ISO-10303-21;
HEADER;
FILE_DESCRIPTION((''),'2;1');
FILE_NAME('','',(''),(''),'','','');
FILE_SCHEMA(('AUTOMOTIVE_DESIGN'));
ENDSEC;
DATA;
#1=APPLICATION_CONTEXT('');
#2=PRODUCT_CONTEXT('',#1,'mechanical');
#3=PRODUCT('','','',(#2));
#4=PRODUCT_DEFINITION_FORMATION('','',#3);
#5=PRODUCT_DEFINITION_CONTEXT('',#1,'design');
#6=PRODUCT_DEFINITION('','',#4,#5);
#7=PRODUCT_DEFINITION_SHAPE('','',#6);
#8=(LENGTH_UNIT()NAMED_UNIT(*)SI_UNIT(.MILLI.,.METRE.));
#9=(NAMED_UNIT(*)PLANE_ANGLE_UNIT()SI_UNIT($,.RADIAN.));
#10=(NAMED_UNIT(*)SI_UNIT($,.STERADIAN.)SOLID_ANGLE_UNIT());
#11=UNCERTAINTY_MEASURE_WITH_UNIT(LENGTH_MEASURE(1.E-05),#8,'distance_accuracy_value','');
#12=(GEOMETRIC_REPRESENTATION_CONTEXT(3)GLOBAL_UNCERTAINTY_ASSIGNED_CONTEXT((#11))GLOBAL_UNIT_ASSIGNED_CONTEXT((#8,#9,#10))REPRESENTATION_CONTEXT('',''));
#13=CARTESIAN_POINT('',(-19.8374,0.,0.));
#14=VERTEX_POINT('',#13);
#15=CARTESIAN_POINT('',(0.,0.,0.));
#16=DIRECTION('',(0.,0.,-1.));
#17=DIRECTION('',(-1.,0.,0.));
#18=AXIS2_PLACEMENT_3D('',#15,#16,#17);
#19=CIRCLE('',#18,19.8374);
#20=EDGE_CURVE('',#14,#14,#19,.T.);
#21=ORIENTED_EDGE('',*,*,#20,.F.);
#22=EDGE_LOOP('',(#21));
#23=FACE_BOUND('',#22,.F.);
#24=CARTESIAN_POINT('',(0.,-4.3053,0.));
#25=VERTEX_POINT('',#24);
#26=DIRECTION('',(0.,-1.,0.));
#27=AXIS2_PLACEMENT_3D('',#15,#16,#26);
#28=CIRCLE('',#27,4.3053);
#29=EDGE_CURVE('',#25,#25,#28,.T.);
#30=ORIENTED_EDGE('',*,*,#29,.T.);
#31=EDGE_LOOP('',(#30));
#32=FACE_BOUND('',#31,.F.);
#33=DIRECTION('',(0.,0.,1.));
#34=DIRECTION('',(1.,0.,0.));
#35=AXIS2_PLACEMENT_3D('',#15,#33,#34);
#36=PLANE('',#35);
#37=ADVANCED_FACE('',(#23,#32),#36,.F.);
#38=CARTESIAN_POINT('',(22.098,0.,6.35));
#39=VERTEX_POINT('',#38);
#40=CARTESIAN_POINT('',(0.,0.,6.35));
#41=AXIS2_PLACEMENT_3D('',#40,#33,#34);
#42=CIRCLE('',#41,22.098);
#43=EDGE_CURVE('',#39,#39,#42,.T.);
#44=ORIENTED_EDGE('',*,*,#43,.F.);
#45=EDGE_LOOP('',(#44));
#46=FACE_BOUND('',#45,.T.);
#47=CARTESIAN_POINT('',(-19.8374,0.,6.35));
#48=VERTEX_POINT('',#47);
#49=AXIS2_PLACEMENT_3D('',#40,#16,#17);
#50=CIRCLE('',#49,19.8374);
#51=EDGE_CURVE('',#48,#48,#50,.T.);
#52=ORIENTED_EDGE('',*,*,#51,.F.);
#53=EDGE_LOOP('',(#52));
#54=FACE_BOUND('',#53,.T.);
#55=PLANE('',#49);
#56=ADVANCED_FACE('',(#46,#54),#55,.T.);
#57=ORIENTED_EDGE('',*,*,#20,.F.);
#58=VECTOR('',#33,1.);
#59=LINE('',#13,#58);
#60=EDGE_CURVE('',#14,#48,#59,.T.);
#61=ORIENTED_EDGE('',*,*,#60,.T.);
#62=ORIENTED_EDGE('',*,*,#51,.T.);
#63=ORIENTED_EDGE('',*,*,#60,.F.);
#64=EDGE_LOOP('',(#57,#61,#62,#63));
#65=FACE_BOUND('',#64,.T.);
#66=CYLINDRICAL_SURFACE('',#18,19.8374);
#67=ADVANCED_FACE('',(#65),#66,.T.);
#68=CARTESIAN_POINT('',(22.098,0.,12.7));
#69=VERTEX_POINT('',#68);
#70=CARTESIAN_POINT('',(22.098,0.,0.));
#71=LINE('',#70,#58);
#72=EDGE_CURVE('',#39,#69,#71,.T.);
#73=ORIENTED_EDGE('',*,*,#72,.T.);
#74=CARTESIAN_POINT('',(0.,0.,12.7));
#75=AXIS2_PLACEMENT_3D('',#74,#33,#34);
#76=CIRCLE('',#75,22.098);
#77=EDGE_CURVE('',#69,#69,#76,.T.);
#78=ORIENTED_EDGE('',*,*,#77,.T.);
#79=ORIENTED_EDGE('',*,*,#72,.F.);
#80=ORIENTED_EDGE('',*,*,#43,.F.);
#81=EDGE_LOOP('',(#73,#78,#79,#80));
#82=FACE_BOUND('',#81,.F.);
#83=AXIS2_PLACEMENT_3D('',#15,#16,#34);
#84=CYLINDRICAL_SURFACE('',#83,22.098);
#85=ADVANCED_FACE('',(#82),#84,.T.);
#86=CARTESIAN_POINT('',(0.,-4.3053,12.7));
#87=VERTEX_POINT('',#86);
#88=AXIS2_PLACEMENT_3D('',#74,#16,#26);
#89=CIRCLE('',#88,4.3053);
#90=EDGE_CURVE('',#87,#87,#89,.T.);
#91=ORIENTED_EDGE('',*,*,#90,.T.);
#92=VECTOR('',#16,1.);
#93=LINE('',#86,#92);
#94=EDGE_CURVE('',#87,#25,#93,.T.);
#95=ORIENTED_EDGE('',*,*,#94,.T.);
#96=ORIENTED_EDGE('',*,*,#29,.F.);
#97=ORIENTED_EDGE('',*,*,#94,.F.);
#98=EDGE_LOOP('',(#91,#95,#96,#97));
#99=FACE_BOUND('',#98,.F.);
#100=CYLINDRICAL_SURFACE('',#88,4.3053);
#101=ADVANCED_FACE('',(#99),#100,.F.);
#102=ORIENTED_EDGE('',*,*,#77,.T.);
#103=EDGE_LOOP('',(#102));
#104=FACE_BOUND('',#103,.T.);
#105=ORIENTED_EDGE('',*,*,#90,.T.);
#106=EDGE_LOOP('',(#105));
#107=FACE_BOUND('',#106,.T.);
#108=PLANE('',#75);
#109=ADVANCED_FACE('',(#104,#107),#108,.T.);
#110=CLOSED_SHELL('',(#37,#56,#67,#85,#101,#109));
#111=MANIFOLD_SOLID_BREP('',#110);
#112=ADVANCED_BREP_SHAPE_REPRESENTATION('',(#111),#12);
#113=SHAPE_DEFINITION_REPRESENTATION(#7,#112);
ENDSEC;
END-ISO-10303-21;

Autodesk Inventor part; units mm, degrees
ref_plane "YZ Plane" through (0, 0, 0) normal (1, 0, 0) x (0, 1, 0)
ref_plane "XZ Plane" through (0, 0, 0) normal (0, 1, 0) x (-1, 0, 0)
ref_plane "XY Plane" through (0, 0, 0) normal (0, 0, 1) x (1, 0, 0)
sketch "Sketch1" plane through (0, 0, 0) normal (0, 0, 1) x (1, 0, 0)
  circle A0 centre (0, 0) radius 22.098
  dimension "d11" = 44.196
extrude "Extrusion1" add sketch "Sketch1" along normal blind 12.7
sketch "Sketch2" plane through (0, 0, 12.7) normal (0, 0, 1) x (1, 0, 0)
  circle A0 centre (0, 0) radius 22.098 projected
hole "Hole1" at (0, 0, 12.7) direction (0, 0, -1) diameter 8.6106 depth 25.4 tip angle 118 thread size "1/8" designation "1/8 - 27 NPT" standard "NPT for PVC Pipe and Fitting"
sketch "Sketch3" plane through (0, 0, 0) normal (0, 0, -1) x (-1, 0, 0)
  circle A0 centre (0, 0) radius 4.3053 projected
  circle A1 centre (0, 0) radius 22.098 projected
sketch "Sketch4" plane through (0, 0, 0) normal (0, 0, -1) x (-1, 0, 0)
  circle A0 centre (0, 0) radius 22.098 projected
  circle A1 centre (0, 0) radius 19.8374
  dimension "d12" = 39.6748
extrude "Extrusion2" cut sketch "Sketch4" against normal blind 6.35
thread "Thread1" size "1 9/16-20 UN" class "2A" standard "ANSI Unified Screw Threads" length 6.35
properties part number "JF-AT-TC0007" material "Acetal Resin, Black"
